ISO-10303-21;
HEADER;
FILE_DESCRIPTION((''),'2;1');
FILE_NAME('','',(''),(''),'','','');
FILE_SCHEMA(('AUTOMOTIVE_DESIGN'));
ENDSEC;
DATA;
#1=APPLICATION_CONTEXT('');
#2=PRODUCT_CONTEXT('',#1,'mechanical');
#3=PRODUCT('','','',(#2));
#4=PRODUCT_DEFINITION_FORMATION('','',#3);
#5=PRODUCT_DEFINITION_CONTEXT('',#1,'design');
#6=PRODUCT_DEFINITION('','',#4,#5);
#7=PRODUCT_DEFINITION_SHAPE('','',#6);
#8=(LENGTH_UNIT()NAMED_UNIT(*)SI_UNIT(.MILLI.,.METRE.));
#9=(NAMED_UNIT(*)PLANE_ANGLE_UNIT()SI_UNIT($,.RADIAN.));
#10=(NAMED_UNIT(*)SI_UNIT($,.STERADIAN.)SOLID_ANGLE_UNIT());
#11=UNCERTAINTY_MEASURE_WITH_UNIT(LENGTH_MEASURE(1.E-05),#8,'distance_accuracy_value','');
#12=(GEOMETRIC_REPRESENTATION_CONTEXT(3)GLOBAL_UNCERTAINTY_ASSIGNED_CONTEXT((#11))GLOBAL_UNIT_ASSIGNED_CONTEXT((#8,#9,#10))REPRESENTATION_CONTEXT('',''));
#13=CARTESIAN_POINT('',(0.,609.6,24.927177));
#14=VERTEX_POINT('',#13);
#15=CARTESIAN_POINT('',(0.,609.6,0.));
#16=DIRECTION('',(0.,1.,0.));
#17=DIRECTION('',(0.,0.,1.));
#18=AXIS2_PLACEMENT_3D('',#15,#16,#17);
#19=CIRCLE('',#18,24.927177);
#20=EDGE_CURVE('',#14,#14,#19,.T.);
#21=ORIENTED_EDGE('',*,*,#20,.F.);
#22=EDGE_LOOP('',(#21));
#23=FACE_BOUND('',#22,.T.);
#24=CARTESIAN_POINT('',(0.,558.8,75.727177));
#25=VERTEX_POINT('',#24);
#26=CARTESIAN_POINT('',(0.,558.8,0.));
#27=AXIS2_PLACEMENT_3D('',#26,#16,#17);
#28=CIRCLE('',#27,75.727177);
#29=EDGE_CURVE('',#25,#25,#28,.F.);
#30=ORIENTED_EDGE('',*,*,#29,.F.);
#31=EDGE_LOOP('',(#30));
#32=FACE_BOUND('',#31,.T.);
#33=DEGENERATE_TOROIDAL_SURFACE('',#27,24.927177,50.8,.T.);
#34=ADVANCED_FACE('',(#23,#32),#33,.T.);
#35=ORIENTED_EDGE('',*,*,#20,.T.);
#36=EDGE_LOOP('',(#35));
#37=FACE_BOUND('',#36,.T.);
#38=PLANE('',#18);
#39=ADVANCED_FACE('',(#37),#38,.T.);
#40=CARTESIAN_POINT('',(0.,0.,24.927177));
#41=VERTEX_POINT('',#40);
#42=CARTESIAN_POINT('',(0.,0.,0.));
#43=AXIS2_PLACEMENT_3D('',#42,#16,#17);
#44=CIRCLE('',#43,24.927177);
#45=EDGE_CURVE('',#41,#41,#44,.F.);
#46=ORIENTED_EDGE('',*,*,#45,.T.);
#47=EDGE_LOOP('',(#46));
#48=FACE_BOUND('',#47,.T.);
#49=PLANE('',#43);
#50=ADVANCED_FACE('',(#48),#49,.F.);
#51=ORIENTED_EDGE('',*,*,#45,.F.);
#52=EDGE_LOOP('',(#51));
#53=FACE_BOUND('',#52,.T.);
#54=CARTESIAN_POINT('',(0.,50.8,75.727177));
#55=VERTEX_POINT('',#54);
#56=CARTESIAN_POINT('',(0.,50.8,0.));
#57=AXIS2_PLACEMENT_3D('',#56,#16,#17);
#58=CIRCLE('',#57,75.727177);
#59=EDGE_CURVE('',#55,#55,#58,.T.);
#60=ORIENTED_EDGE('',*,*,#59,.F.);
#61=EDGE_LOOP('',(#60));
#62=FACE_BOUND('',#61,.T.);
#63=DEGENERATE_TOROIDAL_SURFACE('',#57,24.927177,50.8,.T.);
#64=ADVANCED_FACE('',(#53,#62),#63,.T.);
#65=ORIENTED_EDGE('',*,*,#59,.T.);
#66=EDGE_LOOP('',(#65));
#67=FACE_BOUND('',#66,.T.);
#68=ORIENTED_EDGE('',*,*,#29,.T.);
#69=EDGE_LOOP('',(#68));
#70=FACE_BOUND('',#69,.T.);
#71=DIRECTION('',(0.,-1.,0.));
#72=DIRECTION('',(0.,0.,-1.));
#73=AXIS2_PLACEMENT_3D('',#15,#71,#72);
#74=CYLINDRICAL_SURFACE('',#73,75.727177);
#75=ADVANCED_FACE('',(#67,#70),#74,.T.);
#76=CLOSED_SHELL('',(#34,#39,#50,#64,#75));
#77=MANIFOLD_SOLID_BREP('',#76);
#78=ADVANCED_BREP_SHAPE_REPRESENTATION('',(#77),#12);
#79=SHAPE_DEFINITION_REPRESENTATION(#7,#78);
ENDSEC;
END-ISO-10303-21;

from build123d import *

# Parameters (mm, degrees)
SKETCH1_R           = 75.727177351
BOSS_EXTRUDE1_DEPTH = 609.6
FILLET1_R           = 50.8


with BuildPart() as part:
    # Sketch1 → Boss-Extrude1 (new body)
    with BuildSketch(Plane(origin=(0, 0, 0), x_dir=(1, 0, 0), z_dir=(0, 1, 0))):
        Circle(SKETCH1_R)
    extrude(amount=BOSS_EXTRUDE1_DEPTH)

    # Fillet1
    fillet1_edges = [part.edges().sort_by_distance(p)[0] for p in [
        (-75.727177351, 0, 0),
        (-75.727177351, 609.6, 0),
    ]]
    fillet(fillet1_edges, radius=FILLET1_R)


solid = part.part
